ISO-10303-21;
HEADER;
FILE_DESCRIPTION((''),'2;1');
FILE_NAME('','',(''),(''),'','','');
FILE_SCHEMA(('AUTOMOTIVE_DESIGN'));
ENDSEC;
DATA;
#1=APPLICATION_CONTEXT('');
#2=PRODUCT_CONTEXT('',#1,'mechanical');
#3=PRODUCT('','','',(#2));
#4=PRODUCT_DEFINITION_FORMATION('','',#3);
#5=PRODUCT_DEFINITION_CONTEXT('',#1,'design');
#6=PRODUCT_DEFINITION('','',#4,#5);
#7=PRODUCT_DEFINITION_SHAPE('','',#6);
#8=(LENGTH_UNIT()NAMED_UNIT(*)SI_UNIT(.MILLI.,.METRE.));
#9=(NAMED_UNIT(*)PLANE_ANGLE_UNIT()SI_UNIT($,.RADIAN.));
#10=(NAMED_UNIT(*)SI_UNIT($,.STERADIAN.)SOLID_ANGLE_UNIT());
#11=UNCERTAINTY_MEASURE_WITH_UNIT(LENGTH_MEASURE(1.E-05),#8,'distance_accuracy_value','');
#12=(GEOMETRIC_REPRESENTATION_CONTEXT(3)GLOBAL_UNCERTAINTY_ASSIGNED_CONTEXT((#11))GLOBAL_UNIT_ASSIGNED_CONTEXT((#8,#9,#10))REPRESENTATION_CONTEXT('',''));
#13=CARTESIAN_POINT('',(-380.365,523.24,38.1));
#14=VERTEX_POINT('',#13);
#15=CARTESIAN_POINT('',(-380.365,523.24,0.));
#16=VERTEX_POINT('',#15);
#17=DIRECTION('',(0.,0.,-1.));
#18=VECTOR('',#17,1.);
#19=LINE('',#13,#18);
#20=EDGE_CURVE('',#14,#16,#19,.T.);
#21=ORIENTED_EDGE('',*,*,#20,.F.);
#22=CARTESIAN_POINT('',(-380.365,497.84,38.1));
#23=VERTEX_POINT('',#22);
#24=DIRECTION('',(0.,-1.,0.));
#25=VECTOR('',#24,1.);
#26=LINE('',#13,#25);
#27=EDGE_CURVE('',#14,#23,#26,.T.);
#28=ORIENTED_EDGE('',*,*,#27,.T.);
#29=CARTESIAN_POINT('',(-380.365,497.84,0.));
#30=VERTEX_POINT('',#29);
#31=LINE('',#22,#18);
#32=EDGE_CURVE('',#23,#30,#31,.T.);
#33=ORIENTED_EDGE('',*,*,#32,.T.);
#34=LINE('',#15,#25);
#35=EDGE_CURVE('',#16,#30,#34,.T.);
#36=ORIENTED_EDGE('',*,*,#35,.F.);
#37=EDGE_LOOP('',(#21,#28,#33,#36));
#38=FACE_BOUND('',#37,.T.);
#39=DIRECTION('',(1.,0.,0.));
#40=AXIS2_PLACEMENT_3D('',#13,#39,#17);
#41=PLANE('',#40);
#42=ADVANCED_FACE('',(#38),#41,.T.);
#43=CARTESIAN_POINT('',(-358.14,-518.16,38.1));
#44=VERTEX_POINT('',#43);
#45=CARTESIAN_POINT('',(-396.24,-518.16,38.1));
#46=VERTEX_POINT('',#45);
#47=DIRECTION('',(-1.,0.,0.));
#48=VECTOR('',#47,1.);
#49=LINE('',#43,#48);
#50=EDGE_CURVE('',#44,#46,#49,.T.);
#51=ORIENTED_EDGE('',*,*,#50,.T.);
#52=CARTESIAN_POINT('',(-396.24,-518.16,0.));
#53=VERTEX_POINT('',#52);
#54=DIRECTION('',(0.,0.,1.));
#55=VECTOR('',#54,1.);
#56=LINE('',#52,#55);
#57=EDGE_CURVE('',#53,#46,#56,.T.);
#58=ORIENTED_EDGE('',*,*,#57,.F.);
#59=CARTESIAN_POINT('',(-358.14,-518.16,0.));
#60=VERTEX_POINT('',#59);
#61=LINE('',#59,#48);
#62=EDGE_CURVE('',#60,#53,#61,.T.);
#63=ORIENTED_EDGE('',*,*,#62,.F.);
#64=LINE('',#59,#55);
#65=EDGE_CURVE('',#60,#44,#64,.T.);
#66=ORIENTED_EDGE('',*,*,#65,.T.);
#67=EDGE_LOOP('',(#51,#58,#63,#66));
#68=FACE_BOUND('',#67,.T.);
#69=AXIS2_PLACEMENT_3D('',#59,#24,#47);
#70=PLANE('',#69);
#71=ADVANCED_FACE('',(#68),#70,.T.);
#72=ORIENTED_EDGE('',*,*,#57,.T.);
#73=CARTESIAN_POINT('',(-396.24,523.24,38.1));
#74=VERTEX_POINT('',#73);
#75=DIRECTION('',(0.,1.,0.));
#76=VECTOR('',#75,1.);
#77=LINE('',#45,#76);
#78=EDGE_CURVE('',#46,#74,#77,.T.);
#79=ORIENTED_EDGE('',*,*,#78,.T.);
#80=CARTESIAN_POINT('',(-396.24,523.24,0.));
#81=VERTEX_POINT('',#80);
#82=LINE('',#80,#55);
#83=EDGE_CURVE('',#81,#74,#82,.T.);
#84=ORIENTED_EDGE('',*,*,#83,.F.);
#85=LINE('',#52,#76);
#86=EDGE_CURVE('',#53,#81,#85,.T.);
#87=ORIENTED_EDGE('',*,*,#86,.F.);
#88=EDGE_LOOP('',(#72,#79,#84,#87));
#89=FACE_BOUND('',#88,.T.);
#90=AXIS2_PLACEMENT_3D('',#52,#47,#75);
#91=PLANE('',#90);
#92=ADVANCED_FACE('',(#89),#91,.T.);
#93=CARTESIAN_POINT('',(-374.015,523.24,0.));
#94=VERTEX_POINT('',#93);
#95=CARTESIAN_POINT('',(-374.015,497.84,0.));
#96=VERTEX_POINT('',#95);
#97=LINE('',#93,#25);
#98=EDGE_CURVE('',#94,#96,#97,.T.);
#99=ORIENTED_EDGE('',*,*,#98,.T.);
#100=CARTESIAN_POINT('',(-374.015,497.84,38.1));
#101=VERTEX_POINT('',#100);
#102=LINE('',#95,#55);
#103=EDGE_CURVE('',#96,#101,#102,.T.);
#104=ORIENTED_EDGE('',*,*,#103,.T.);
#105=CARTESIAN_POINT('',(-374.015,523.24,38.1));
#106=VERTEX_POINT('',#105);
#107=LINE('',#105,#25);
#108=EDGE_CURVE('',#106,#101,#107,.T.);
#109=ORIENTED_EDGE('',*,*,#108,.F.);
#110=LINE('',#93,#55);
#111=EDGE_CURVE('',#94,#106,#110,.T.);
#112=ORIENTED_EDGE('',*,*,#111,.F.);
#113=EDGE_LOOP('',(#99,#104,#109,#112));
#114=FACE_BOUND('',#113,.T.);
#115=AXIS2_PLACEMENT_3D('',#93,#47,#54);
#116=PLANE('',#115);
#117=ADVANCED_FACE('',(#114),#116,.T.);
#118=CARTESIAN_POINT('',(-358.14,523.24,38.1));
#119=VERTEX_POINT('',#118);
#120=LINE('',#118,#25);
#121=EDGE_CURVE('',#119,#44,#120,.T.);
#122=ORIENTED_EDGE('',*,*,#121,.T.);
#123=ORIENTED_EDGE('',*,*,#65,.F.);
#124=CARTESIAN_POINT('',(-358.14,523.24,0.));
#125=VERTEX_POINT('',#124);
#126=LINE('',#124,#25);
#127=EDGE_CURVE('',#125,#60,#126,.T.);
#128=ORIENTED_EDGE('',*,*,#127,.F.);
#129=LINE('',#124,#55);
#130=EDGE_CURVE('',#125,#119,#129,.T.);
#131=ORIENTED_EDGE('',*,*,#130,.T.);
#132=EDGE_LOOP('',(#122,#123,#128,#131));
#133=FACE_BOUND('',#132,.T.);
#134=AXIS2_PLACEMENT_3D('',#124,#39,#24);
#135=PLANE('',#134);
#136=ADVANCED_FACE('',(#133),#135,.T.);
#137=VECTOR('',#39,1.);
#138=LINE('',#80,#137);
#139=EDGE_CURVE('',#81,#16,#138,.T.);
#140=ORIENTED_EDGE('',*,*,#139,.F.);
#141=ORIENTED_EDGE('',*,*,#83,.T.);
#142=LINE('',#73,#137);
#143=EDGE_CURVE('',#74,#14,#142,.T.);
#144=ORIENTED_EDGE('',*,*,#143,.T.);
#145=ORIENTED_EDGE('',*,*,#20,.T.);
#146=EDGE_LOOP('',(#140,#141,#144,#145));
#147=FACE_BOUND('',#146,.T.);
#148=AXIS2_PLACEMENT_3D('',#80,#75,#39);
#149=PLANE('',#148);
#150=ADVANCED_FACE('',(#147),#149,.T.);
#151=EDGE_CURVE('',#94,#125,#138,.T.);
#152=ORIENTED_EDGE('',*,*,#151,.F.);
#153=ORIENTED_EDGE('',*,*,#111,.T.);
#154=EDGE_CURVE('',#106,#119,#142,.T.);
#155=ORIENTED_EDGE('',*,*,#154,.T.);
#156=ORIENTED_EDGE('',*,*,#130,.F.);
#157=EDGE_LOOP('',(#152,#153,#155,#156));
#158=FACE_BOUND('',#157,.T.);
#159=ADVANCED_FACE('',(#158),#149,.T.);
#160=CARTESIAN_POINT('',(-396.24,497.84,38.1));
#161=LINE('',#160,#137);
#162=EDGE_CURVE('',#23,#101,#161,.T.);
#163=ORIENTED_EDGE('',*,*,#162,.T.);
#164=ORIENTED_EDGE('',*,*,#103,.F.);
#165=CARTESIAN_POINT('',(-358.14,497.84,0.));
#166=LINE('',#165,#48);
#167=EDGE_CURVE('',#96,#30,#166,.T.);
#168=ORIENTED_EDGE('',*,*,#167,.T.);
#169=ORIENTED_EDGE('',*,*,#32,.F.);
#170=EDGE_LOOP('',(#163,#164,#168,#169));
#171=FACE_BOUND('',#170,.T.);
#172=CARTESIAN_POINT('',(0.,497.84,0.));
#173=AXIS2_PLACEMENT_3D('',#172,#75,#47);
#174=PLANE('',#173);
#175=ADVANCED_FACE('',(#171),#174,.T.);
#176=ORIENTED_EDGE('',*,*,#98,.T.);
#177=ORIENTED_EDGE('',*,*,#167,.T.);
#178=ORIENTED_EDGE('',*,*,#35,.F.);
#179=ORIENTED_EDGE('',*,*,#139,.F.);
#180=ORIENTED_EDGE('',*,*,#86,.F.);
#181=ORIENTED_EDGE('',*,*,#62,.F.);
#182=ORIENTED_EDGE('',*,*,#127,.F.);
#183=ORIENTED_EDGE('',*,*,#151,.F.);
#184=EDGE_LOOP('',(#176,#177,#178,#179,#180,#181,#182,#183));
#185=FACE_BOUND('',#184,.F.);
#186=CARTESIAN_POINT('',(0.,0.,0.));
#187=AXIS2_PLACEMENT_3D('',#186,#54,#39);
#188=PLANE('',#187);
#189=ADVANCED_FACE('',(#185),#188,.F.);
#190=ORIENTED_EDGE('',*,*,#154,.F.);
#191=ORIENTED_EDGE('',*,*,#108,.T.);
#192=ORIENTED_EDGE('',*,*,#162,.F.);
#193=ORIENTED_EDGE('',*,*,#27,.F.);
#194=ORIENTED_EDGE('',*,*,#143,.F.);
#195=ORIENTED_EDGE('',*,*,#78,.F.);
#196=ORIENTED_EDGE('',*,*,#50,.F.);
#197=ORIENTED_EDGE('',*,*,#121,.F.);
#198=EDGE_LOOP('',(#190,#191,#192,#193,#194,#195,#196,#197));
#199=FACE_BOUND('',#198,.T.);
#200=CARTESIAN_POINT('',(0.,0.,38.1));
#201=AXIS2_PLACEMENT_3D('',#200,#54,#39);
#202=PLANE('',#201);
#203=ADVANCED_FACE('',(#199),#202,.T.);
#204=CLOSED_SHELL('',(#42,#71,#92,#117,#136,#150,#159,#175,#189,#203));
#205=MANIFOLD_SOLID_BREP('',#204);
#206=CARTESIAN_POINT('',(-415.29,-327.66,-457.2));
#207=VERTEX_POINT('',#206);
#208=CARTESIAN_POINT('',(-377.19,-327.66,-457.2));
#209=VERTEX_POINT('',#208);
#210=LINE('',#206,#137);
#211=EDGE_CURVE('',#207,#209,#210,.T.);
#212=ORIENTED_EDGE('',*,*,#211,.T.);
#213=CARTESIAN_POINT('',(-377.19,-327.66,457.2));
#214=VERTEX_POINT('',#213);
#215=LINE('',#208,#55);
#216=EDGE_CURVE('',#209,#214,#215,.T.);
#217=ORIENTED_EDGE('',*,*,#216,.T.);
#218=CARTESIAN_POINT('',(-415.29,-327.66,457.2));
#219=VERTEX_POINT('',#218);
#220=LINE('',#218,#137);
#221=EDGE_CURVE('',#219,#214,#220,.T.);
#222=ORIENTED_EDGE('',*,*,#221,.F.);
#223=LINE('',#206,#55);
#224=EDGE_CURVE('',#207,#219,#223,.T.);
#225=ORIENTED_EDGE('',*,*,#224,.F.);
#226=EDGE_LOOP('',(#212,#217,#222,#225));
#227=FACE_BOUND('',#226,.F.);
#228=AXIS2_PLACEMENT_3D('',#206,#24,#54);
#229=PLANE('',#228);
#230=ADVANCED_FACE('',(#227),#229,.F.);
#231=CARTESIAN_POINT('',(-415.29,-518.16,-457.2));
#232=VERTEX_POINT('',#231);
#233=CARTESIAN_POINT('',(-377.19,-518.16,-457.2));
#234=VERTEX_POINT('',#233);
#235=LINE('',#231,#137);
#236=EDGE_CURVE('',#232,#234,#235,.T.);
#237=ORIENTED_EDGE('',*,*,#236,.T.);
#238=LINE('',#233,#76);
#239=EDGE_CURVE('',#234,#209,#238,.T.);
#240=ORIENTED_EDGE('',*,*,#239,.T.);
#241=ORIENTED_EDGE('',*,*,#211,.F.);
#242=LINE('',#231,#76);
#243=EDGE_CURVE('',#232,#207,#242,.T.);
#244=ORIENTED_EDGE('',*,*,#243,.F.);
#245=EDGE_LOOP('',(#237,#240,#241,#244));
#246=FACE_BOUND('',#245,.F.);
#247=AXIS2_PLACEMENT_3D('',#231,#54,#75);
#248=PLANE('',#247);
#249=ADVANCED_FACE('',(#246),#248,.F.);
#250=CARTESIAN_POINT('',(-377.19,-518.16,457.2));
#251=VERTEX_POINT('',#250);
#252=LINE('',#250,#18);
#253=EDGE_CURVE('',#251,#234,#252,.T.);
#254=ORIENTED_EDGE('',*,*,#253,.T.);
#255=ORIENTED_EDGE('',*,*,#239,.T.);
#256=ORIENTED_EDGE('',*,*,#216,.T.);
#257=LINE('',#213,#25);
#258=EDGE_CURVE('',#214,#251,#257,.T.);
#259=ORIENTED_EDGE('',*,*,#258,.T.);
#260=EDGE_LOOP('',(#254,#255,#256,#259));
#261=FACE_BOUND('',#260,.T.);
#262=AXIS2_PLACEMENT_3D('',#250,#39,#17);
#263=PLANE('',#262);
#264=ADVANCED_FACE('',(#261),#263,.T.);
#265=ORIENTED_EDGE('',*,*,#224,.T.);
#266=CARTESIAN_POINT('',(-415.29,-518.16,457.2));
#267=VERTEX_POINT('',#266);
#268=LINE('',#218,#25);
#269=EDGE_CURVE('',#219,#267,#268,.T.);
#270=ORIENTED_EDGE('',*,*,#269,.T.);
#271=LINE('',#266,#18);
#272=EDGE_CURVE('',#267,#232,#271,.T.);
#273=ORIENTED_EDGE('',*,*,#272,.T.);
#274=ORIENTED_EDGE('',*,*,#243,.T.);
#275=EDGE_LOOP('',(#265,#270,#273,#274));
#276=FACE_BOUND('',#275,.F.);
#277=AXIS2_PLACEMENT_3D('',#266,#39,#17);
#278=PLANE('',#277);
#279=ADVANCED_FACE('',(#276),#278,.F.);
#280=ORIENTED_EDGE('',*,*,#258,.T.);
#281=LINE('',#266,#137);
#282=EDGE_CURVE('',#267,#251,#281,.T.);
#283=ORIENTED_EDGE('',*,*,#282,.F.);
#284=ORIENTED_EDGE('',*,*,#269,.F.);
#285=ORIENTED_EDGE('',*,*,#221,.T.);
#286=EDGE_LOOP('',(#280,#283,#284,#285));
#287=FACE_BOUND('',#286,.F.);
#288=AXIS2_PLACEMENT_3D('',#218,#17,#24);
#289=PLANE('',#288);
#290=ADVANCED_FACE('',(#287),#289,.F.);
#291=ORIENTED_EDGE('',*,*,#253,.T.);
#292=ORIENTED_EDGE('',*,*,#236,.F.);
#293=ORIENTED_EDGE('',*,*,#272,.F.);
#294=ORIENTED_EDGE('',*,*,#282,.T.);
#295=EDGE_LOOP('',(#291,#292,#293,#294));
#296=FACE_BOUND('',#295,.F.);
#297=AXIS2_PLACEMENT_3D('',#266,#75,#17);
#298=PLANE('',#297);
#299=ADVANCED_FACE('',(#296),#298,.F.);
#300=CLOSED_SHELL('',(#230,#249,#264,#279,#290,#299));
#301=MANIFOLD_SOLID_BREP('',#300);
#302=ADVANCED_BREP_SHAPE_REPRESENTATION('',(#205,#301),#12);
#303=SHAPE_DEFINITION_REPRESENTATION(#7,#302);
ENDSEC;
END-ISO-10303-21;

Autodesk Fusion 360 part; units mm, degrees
sketch "Sketch1" plane through (0, 0, 0) normal (0, 0, 1) x (1, 0, 0)
  line L0 (0, 0) -> (914.4, 0)
  line L1 (914.4, 0) -> (914.4, 190.5)
  line L2 (914.4, 190.5) -> (0, 190.5)
  line L3 (0, 190.5) -> (0, 0)
  dimension "d1" = 914.4
  dimension "d2" = 190.5
extrude "Extrude1" add sketch "Sketch1" along normal blind 38.1 makes body 1
copy_body "Body->Comp1" bodies 1 removing the originals makes body 2 in component "Base"
sketch "Sketch2" plane through (0, 0, 0) normal (0, 0, 1) x (1, 0, 0)
  line L0 (-396.24, 523.24) -> (-358.14, 523.24)
  line L1 (-358.14, 523.24) -> (-358.14, -518.16)
  line L2 (-358.14, -518.16) -> (-396.24, -518.16)
  line L3 (-396.24, -518.16) -> (-396.24, 523.24)
  dimension "d5" = 38.1
  dimension "d6" = 1041.4
extrude "Extrude2" add sketch "Sketch2" along normal blind 38.1 separate body makes body 3
copy_body "Body->Comp2" bodies 3 removing the originals makes body 4 in component "Suport"
sketch "Sketch3" plane through (0, 523.24, 0) normal (0, 1, 0) x (-1, 0, 0)
  line L0 (358.14, 0) -> (396.24, 0)
  line L1 (396.24, 0) -> (396.24, 38.1)
  line L2 (396.24, 38.1) -> (358.14, 38.1)
  line L3 (358.14, 38.1) -> (358.14, 0)
  line L4 (374.015, 38.1) -> (380.365, 38.1)
  line L5 (380.365, 38.1) -> (380.365, 0)
  line L6 (380.365, 0) -> (374.015, 0)
  line L7 (374.015, 0) -> (374.015, 38.1)
  dimension "d13" = 6.35
extrude "Extrude1'" cut sketch "Sketch3" against normal blind 25.4 contours L0 L2 L4 L5 L6 L7 bodies 4 in component "Suport"
component "Base" placed x (0, 0, -1) y (0, 1, 0) z (1, 0, 0) at (-415.29, -518.16, 457.2)
component "Suport" placed x (1, 0, 0) y (0, 1, 0) z (0, 0, 1) at (0, 0, 0)
